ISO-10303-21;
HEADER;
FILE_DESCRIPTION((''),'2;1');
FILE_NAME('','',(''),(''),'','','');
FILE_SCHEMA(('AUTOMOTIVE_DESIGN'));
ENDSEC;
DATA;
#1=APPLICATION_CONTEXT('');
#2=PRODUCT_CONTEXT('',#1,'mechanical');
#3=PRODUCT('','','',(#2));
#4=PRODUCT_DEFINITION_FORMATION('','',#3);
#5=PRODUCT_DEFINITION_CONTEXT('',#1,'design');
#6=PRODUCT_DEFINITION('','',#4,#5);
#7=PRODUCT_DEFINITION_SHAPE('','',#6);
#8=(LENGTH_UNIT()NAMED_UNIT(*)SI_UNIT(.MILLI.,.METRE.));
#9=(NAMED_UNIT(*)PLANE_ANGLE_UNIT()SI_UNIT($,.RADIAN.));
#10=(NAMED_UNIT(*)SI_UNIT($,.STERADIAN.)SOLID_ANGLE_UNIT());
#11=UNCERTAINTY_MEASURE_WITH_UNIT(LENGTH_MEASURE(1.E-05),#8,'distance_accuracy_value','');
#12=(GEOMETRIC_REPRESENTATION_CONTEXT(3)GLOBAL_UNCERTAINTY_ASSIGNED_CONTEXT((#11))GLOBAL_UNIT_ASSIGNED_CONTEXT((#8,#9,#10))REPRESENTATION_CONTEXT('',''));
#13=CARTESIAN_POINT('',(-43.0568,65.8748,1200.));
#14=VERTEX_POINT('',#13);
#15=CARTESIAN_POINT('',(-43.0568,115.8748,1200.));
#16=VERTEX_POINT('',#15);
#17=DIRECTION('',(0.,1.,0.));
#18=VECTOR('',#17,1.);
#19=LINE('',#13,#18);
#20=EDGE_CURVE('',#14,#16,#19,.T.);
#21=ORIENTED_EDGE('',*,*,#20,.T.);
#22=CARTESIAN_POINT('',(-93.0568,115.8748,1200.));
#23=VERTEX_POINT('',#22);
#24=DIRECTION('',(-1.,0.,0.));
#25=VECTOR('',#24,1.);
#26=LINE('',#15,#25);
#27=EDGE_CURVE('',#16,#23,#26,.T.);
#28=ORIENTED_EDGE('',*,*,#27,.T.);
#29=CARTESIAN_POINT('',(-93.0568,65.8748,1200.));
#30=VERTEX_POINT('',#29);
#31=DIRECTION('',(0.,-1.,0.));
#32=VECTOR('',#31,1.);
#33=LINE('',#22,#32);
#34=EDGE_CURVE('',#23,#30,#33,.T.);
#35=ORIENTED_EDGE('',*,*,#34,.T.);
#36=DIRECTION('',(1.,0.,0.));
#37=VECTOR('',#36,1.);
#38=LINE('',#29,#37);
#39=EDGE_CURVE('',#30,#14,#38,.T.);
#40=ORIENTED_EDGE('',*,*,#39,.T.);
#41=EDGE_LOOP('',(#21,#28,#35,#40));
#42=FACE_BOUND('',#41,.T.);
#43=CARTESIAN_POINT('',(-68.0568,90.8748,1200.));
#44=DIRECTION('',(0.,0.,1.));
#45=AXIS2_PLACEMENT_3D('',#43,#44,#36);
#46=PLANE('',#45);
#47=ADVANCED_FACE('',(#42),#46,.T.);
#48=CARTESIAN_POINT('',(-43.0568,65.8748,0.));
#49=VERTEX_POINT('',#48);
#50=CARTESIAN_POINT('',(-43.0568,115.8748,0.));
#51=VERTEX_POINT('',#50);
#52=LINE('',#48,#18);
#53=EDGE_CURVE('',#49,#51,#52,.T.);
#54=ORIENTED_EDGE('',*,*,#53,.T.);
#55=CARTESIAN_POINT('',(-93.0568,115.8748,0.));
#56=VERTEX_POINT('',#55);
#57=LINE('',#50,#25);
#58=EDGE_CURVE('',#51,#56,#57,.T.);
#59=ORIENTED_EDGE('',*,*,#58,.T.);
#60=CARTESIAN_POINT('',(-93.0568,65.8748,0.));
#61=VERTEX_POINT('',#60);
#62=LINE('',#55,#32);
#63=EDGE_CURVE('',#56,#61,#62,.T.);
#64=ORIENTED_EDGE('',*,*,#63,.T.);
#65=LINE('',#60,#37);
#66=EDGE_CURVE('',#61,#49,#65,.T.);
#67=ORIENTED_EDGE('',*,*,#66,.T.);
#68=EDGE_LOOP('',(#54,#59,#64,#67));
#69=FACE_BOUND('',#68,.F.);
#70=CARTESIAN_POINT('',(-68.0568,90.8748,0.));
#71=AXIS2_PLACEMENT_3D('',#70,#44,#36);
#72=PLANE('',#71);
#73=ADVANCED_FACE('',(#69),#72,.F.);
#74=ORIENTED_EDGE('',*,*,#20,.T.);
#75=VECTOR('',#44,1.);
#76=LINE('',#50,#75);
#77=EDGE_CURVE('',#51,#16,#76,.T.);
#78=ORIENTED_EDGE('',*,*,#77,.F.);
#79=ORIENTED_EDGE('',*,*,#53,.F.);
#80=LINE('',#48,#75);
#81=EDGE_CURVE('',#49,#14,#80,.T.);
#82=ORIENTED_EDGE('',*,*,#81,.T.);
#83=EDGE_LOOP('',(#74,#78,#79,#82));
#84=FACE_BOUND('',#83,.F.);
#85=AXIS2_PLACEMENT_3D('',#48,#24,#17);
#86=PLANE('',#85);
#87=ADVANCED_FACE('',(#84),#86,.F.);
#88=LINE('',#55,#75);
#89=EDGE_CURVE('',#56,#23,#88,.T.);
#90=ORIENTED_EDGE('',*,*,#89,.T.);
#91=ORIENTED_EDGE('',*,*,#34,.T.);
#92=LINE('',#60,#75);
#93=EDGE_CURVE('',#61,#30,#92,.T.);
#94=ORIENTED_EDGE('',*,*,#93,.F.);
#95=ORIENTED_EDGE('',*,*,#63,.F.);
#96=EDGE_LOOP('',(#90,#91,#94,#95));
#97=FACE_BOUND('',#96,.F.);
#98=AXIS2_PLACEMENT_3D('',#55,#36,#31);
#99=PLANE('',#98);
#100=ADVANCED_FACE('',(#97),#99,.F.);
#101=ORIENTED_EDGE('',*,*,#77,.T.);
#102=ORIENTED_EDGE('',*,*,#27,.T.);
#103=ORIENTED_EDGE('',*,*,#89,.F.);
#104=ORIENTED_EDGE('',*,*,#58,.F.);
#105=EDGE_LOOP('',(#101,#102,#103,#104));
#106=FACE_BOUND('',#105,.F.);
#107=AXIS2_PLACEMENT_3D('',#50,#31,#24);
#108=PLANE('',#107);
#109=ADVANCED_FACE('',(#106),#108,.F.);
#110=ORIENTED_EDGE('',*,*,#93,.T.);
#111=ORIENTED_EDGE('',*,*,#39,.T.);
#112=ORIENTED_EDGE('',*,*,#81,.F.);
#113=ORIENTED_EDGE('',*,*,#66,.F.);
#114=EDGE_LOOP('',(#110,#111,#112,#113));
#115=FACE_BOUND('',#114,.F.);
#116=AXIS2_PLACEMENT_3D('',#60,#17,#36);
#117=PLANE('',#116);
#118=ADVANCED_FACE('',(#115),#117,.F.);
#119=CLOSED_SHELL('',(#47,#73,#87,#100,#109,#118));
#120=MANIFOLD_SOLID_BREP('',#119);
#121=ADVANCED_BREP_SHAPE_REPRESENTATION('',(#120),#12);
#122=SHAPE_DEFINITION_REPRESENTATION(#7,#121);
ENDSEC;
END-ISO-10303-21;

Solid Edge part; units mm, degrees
sketch "Sketch1" plane through (0, 0, 0) normal (0, 0, 1) x (1, 0, 0)
  line L0 (-93.0568, 65.8748) -> (-43.0568, 65.8748)
  line L1 (-43.0568, 65.8748) -> (-43.0568, 115.8748)
  line L2 (-43.0568, 115.8748) -> (-93.0568, 115.8748)
  line L3 (-93.0568, 115.8748) -> (-93.0568, 65.8748)
extrude "Protrusion1" add sketch "Sketch1" along normal blind 1200
